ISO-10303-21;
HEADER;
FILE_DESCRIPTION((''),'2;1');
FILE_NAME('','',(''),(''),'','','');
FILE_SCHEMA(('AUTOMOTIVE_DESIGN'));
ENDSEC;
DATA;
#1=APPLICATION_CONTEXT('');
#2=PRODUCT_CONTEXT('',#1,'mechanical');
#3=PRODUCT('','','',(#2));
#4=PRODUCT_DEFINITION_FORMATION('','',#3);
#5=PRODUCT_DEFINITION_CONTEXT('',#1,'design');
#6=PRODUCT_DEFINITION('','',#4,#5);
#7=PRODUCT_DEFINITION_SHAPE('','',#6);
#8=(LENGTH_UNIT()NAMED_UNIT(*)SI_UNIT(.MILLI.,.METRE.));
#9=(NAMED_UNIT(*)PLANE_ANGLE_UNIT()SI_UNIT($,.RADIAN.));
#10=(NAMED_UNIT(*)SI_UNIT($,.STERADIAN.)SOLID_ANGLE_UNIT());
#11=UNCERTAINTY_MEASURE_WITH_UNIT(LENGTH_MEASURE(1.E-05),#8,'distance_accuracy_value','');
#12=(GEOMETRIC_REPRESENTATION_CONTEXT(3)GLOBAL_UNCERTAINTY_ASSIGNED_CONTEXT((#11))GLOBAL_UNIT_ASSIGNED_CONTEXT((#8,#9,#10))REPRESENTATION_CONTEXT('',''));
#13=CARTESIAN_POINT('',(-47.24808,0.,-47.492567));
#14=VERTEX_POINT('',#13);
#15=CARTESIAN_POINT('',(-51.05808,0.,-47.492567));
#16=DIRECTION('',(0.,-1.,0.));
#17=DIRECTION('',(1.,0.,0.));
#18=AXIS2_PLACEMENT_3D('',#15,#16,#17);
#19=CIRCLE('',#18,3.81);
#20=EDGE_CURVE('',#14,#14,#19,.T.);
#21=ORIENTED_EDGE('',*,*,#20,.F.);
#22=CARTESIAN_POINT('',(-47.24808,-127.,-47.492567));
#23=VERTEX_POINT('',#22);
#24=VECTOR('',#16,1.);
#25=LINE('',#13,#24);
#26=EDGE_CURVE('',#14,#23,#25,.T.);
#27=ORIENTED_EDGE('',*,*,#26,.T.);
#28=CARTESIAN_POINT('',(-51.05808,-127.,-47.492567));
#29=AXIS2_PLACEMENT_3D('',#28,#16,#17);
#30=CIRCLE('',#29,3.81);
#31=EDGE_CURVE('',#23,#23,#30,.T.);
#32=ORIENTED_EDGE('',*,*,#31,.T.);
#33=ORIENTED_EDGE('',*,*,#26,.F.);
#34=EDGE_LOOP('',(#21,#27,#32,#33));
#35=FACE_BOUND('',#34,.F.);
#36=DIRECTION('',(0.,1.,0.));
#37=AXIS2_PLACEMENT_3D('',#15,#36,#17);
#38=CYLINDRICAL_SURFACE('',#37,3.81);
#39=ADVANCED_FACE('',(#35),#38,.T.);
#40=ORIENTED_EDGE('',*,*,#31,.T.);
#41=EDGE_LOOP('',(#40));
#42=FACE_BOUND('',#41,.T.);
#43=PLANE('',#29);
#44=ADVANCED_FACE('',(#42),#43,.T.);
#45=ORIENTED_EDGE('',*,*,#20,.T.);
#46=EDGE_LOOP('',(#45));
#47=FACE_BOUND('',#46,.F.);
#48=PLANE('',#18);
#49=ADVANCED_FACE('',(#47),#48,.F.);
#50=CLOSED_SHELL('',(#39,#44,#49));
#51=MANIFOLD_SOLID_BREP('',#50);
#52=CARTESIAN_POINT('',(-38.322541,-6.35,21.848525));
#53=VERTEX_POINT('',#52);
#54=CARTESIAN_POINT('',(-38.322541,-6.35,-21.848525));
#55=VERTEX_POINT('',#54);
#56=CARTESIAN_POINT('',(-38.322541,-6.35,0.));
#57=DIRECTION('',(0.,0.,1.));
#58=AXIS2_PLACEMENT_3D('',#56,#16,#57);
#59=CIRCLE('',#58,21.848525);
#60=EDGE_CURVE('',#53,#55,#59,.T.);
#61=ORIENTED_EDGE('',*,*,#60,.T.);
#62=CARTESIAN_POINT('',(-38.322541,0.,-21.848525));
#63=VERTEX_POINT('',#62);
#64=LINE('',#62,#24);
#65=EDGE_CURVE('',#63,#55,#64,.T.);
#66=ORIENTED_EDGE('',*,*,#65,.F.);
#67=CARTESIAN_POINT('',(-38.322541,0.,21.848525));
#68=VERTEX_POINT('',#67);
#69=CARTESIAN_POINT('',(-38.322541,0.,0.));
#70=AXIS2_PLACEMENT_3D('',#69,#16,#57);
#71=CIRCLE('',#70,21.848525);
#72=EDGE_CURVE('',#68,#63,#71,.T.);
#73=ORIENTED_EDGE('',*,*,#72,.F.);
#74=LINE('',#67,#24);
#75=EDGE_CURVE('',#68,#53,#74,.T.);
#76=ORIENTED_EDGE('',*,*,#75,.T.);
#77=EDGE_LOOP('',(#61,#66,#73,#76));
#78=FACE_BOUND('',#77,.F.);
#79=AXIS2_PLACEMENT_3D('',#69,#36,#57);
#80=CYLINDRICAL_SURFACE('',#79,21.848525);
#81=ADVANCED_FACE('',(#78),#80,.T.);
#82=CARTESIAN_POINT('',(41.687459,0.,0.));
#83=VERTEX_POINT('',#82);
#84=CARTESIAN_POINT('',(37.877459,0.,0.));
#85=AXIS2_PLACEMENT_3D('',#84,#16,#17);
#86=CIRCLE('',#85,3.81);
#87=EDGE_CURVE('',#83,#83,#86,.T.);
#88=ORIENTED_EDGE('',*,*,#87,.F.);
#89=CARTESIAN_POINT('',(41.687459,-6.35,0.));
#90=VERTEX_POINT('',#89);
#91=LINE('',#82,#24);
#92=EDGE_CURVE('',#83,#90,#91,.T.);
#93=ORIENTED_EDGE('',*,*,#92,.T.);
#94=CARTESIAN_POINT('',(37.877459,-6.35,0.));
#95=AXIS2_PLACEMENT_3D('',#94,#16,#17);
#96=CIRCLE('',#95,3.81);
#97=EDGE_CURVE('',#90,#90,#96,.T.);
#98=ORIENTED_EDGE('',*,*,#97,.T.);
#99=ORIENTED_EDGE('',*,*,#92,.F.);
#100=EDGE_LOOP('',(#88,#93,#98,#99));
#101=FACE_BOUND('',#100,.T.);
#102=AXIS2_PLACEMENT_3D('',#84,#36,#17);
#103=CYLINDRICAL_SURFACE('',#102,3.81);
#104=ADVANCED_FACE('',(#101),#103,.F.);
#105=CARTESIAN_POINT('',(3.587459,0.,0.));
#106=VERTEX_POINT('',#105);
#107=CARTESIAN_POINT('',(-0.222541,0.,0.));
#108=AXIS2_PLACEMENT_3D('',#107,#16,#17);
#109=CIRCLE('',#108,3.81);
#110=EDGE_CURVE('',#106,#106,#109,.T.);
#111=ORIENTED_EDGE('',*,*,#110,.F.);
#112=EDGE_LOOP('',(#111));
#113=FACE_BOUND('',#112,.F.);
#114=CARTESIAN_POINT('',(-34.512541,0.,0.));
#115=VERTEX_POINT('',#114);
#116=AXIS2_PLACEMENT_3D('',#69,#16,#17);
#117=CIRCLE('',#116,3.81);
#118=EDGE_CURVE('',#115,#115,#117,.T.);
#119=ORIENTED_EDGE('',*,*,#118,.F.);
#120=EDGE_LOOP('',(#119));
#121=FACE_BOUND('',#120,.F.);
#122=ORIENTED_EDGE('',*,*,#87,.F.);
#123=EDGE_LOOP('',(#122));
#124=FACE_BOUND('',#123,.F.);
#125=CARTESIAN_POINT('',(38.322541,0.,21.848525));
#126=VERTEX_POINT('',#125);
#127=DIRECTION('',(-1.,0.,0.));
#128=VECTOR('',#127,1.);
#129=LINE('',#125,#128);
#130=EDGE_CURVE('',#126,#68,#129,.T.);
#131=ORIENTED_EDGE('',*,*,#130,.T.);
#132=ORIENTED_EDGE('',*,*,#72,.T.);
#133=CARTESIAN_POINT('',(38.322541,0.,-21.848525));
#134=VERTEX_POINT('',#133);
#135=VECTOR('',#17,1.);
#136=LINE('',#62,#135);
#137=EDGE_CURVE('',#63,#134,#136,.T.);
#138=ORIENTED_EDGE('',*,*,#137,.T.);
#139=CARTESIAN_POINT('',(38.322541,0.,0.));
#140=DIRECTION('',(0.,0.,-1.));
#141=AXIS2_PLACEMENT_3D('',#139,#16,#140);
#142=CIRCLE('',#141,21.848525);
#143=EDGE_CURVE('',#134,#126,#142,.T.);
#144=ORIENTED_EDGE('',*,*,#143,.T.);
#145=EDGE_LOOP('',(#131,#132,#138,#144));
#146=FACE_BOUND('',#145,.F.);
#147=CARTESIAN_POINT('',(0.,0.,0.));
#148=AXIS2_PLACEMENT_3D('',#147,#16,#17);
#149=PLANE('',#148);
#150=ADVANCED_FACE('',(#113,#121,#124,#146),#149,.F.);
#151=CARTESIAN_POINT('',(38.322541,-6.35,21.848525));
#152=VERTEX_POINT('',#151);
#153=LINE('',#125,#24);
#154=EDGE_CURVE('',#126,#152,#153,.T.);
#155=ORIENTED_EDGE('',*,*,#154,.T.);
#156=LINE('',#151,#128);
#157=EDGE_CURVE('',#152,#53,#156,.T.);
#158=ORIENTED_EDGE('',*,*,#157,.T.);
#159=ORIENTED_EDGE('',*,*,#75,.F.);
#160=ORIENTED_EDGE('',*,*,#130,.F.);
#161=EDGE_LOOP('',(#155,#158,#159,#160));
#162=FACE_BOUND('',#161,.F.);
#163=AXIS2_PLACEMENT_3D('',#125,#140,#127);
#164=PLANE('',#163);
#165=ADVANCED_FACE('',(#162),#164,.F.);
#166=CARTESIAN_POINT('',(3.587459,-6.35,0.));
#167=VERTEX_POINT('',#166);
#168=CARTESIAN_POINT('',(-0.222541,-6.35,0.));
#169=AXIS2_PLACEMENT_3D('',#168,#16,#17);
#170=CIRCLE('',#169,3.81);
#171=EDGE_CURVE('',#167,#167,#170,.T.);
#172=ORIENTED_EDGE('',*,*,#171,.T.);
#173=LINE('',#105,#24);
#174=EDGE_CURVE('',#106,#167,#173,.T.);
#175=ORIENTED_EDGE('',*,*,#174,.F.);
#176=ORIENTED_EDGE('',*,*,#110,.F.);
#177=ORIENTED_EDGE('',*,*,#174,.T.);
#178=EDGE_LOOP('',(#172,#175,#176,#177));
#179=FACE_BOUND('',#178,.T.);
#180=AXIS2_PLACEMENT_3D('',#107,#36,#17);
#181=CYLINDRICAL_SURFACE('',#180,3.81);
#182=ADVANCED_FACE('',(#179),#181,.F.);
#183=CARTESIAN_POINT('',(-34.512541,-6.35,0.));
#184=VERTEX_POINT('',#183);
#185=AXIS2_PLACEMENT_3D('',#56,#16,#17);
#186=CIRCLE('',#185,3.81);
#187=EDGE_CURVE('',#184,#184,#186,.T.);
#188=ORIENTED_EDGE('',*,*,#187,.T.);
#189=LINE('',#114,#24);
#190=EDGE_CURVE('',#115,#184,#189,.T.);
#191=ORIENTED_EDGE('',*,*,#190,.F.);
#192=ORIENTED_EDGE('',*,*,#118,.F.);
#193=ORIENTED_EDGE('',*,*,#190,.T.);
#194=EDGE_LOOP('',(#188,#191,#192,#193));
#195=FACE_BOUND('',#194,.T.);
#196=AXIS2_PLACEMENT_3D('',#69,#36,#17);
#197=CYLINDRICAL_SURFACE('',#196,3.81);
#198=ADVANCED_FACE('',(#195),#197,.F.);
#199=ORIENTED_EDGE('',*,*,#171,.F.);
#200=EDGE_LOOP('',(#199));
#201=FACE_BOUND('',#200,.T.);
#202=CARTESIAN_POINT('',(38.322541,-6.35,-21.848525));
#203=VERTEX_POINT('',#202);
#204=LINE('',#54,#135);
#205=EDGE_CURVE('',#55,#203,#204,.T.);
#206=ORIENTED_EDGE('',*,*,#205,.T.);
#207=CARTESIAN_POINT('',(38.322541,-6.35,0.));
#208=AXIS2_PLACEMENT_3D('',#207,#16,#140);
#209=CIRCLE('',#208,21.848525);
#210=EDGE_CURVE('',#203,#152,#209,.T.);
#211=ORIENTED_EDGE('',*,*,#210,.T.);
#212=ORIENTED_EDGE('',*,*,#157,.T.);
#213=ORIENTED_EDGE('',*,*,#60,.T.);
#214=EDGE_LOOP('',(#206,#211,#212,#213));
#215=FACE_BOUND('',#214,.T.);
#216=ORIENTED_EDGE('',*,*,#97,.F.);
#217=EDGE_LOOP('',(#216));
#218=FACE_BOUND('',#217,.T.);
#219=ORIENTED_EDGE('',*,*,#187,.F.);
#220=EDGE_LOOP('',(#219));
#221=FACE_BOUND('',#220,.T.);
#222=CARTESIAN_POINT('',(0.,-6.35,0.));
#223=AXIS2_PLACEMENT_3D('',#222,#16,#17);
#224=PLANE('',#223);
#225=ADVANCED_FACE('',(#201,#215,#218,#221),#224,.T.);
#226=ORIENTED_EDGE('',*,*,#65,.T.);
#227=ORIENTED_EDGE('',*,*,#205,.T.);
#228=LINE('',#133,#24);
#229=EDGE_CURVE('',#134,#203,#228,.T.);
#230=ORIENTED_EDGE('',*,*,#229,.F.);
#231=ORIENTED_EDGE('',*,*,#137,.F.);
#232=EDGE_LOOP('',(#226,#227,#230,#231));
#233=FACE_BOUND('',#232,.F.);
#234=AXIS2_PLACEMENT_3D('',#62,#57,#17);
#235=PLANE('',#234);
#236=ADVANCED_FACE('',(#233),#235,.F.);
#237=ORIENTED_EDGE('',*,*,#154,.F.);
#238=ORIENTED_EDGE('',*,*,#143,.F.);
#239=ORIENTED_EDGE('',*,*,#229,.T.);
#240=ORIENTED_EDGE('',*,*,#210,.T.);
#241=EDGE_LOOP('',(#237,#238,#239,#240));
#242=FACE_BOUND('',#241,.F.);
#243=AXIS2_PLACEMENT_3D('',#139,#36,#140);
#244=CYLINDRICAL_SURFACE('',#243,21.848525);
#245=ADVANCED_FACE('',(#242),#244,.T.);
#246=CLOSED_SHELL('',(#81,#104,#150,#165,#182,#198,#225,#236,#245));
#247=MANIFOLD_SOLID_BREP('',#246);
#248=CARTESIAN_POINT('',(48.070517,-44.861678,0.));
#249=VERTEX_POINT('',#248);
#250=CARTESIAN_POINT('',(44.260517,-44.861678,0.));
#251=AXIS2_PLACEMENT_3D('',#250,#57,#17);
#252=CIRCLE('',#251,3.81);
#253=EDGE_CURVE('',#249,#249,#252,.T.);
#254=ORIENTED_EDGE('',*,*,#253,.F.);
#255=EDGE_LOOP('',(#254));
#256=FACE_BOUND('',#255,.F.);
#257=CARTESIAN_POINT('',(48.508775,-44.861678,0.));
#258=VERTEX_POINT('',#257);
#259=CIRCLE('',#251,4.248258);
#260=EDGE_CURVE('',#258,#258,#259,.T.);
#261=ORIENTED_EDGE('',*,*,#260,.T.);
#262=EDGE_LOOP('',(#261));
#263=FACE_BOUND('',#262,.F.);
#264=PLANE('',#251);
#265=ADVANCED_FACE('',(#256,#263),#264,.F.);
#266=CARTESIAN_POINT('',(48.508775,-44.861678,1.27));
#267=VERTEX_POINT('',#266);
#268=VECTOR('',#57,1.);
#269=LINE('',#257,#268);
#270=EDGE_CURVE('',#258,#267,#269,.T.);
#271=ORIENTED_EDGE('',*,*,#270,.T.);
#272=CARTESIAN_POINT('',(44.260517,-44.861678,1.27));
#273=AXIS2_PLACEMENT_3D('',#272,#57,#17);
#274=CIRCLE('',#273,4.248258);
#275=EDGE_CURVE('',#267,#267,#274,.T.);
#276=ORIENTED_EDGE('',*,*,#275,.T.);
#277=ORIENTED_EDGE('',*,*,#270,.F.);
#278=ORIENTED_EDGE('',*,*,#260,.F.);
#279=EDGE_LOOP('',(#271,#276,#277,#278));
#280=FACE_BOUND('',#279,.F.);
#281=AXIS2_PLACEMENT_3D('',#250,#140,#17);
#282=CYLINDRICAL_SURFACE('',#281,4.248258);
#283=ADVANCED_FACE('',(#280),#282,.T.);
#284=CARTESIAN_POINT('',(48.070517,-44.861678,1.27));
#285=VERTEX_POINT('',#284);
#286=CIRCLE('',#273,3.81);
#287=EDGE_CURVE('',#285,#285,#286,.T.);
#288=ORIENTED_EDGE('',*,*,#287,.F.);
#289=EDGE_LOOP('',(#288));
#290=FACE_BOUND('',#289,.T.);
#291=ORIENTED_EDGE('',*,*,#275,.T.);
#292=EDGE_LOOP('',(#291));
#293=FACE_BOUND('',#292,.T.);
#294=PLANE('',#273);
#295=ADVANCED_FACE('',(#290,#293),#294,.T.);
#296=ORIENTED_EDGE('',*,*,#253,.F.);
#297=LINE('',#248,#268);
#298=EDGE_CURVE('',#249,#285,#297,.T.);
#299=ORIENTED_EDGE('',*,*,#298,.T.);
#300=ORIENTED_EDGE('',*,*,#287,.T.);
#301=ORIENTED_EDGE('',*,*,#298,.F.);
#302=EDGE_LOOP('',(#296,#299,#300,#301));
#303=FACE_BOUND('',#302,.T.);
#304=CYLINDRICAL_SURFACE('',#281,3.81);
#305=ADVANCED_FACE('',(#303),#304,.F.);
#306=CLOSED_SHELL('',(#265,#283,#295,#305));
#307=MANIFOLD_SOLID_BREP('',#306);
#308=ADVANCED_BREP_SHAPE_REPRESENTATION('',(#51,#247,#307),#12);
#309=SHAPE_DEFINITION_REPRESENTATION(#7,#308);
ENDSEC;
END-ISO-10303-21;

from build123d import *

# Parameters (mm, degrees)
F0_R      = 3.81
F1_DEPTH  = 6.35
F2_R      = 3.81
F3_DEPTH  = 127
F12_R     = 4.248258
F12_R_2   = 3.81
F13_DEPTH = 1.27


with BuildPart() as f1:
    # F0 (on Front) → F1 (new body)
    with BuildSketch(Plane.XZ):
        with BuildLine():
            Line((-38.322541, -21.848525), (38.322541, -21.848525))
            ThreePointArc((38.322541, -21.848525), (60.171066, 0), (38.322541, 21.848525))
            Line((38.322541, 21.848525), (-38.322541, 21.848525))
            ThreePointArc((-38.322541, 21.848525), (-60.171066, 0), (-38.322541, -21.848525))
        make_face()
        with Locations((-38.322541, 0)):
            Circle(F0_R, mode=Mode.SUBTRACT)
        with Locations((-0.222541, 0)):
            Circle(F0_R, mode=Mode.SUBTRACT)
        with Locations((37.877459, 0)):
            Circle(F0_R, mode=Mode.SUBTRACT)
    extrude(amount=F1_DEPTH)


with BuildPart() as f3:
    # F2 (on Front) → F3 (new body)
    with BuildSketch(Plane.XZ):
        with Locations((-51.05808, -47.492567)):
            Circle(F2_R)
    extrude(amount=F3_DEPTH)


with BuildPart() as f4_1:
    # F4: copy of F3
    add(f3.part)


with BuildPart() as f6_1:
    # F6: copy of F3
    add(f3.part)


with BuildPart() as f8_1:
    # F8: copy of F3
    add(f3.part.moved(Location((50.16212, 0, 0))))


with BuildPart() as f9_1:
    # F9: copy of F8_1
    add(f8_1.part.moved(Location((42.6117, 0, 0))))


with BuildPart() as f13:
    # F12 (on Top) → F13 (new body)
    with BuildSketch(Plane.XY):
        with Locations((44.260517, -44.861678)):
            Circle(F12_R)
        with Locations((44.260517, -44.861678)):
            Circle(F12_R_2, mode=Mode.SUBTRACT)
    extrude(amount=F13_DEPTH)


solid = Compound([f1.part, f3.part, f13.part])
